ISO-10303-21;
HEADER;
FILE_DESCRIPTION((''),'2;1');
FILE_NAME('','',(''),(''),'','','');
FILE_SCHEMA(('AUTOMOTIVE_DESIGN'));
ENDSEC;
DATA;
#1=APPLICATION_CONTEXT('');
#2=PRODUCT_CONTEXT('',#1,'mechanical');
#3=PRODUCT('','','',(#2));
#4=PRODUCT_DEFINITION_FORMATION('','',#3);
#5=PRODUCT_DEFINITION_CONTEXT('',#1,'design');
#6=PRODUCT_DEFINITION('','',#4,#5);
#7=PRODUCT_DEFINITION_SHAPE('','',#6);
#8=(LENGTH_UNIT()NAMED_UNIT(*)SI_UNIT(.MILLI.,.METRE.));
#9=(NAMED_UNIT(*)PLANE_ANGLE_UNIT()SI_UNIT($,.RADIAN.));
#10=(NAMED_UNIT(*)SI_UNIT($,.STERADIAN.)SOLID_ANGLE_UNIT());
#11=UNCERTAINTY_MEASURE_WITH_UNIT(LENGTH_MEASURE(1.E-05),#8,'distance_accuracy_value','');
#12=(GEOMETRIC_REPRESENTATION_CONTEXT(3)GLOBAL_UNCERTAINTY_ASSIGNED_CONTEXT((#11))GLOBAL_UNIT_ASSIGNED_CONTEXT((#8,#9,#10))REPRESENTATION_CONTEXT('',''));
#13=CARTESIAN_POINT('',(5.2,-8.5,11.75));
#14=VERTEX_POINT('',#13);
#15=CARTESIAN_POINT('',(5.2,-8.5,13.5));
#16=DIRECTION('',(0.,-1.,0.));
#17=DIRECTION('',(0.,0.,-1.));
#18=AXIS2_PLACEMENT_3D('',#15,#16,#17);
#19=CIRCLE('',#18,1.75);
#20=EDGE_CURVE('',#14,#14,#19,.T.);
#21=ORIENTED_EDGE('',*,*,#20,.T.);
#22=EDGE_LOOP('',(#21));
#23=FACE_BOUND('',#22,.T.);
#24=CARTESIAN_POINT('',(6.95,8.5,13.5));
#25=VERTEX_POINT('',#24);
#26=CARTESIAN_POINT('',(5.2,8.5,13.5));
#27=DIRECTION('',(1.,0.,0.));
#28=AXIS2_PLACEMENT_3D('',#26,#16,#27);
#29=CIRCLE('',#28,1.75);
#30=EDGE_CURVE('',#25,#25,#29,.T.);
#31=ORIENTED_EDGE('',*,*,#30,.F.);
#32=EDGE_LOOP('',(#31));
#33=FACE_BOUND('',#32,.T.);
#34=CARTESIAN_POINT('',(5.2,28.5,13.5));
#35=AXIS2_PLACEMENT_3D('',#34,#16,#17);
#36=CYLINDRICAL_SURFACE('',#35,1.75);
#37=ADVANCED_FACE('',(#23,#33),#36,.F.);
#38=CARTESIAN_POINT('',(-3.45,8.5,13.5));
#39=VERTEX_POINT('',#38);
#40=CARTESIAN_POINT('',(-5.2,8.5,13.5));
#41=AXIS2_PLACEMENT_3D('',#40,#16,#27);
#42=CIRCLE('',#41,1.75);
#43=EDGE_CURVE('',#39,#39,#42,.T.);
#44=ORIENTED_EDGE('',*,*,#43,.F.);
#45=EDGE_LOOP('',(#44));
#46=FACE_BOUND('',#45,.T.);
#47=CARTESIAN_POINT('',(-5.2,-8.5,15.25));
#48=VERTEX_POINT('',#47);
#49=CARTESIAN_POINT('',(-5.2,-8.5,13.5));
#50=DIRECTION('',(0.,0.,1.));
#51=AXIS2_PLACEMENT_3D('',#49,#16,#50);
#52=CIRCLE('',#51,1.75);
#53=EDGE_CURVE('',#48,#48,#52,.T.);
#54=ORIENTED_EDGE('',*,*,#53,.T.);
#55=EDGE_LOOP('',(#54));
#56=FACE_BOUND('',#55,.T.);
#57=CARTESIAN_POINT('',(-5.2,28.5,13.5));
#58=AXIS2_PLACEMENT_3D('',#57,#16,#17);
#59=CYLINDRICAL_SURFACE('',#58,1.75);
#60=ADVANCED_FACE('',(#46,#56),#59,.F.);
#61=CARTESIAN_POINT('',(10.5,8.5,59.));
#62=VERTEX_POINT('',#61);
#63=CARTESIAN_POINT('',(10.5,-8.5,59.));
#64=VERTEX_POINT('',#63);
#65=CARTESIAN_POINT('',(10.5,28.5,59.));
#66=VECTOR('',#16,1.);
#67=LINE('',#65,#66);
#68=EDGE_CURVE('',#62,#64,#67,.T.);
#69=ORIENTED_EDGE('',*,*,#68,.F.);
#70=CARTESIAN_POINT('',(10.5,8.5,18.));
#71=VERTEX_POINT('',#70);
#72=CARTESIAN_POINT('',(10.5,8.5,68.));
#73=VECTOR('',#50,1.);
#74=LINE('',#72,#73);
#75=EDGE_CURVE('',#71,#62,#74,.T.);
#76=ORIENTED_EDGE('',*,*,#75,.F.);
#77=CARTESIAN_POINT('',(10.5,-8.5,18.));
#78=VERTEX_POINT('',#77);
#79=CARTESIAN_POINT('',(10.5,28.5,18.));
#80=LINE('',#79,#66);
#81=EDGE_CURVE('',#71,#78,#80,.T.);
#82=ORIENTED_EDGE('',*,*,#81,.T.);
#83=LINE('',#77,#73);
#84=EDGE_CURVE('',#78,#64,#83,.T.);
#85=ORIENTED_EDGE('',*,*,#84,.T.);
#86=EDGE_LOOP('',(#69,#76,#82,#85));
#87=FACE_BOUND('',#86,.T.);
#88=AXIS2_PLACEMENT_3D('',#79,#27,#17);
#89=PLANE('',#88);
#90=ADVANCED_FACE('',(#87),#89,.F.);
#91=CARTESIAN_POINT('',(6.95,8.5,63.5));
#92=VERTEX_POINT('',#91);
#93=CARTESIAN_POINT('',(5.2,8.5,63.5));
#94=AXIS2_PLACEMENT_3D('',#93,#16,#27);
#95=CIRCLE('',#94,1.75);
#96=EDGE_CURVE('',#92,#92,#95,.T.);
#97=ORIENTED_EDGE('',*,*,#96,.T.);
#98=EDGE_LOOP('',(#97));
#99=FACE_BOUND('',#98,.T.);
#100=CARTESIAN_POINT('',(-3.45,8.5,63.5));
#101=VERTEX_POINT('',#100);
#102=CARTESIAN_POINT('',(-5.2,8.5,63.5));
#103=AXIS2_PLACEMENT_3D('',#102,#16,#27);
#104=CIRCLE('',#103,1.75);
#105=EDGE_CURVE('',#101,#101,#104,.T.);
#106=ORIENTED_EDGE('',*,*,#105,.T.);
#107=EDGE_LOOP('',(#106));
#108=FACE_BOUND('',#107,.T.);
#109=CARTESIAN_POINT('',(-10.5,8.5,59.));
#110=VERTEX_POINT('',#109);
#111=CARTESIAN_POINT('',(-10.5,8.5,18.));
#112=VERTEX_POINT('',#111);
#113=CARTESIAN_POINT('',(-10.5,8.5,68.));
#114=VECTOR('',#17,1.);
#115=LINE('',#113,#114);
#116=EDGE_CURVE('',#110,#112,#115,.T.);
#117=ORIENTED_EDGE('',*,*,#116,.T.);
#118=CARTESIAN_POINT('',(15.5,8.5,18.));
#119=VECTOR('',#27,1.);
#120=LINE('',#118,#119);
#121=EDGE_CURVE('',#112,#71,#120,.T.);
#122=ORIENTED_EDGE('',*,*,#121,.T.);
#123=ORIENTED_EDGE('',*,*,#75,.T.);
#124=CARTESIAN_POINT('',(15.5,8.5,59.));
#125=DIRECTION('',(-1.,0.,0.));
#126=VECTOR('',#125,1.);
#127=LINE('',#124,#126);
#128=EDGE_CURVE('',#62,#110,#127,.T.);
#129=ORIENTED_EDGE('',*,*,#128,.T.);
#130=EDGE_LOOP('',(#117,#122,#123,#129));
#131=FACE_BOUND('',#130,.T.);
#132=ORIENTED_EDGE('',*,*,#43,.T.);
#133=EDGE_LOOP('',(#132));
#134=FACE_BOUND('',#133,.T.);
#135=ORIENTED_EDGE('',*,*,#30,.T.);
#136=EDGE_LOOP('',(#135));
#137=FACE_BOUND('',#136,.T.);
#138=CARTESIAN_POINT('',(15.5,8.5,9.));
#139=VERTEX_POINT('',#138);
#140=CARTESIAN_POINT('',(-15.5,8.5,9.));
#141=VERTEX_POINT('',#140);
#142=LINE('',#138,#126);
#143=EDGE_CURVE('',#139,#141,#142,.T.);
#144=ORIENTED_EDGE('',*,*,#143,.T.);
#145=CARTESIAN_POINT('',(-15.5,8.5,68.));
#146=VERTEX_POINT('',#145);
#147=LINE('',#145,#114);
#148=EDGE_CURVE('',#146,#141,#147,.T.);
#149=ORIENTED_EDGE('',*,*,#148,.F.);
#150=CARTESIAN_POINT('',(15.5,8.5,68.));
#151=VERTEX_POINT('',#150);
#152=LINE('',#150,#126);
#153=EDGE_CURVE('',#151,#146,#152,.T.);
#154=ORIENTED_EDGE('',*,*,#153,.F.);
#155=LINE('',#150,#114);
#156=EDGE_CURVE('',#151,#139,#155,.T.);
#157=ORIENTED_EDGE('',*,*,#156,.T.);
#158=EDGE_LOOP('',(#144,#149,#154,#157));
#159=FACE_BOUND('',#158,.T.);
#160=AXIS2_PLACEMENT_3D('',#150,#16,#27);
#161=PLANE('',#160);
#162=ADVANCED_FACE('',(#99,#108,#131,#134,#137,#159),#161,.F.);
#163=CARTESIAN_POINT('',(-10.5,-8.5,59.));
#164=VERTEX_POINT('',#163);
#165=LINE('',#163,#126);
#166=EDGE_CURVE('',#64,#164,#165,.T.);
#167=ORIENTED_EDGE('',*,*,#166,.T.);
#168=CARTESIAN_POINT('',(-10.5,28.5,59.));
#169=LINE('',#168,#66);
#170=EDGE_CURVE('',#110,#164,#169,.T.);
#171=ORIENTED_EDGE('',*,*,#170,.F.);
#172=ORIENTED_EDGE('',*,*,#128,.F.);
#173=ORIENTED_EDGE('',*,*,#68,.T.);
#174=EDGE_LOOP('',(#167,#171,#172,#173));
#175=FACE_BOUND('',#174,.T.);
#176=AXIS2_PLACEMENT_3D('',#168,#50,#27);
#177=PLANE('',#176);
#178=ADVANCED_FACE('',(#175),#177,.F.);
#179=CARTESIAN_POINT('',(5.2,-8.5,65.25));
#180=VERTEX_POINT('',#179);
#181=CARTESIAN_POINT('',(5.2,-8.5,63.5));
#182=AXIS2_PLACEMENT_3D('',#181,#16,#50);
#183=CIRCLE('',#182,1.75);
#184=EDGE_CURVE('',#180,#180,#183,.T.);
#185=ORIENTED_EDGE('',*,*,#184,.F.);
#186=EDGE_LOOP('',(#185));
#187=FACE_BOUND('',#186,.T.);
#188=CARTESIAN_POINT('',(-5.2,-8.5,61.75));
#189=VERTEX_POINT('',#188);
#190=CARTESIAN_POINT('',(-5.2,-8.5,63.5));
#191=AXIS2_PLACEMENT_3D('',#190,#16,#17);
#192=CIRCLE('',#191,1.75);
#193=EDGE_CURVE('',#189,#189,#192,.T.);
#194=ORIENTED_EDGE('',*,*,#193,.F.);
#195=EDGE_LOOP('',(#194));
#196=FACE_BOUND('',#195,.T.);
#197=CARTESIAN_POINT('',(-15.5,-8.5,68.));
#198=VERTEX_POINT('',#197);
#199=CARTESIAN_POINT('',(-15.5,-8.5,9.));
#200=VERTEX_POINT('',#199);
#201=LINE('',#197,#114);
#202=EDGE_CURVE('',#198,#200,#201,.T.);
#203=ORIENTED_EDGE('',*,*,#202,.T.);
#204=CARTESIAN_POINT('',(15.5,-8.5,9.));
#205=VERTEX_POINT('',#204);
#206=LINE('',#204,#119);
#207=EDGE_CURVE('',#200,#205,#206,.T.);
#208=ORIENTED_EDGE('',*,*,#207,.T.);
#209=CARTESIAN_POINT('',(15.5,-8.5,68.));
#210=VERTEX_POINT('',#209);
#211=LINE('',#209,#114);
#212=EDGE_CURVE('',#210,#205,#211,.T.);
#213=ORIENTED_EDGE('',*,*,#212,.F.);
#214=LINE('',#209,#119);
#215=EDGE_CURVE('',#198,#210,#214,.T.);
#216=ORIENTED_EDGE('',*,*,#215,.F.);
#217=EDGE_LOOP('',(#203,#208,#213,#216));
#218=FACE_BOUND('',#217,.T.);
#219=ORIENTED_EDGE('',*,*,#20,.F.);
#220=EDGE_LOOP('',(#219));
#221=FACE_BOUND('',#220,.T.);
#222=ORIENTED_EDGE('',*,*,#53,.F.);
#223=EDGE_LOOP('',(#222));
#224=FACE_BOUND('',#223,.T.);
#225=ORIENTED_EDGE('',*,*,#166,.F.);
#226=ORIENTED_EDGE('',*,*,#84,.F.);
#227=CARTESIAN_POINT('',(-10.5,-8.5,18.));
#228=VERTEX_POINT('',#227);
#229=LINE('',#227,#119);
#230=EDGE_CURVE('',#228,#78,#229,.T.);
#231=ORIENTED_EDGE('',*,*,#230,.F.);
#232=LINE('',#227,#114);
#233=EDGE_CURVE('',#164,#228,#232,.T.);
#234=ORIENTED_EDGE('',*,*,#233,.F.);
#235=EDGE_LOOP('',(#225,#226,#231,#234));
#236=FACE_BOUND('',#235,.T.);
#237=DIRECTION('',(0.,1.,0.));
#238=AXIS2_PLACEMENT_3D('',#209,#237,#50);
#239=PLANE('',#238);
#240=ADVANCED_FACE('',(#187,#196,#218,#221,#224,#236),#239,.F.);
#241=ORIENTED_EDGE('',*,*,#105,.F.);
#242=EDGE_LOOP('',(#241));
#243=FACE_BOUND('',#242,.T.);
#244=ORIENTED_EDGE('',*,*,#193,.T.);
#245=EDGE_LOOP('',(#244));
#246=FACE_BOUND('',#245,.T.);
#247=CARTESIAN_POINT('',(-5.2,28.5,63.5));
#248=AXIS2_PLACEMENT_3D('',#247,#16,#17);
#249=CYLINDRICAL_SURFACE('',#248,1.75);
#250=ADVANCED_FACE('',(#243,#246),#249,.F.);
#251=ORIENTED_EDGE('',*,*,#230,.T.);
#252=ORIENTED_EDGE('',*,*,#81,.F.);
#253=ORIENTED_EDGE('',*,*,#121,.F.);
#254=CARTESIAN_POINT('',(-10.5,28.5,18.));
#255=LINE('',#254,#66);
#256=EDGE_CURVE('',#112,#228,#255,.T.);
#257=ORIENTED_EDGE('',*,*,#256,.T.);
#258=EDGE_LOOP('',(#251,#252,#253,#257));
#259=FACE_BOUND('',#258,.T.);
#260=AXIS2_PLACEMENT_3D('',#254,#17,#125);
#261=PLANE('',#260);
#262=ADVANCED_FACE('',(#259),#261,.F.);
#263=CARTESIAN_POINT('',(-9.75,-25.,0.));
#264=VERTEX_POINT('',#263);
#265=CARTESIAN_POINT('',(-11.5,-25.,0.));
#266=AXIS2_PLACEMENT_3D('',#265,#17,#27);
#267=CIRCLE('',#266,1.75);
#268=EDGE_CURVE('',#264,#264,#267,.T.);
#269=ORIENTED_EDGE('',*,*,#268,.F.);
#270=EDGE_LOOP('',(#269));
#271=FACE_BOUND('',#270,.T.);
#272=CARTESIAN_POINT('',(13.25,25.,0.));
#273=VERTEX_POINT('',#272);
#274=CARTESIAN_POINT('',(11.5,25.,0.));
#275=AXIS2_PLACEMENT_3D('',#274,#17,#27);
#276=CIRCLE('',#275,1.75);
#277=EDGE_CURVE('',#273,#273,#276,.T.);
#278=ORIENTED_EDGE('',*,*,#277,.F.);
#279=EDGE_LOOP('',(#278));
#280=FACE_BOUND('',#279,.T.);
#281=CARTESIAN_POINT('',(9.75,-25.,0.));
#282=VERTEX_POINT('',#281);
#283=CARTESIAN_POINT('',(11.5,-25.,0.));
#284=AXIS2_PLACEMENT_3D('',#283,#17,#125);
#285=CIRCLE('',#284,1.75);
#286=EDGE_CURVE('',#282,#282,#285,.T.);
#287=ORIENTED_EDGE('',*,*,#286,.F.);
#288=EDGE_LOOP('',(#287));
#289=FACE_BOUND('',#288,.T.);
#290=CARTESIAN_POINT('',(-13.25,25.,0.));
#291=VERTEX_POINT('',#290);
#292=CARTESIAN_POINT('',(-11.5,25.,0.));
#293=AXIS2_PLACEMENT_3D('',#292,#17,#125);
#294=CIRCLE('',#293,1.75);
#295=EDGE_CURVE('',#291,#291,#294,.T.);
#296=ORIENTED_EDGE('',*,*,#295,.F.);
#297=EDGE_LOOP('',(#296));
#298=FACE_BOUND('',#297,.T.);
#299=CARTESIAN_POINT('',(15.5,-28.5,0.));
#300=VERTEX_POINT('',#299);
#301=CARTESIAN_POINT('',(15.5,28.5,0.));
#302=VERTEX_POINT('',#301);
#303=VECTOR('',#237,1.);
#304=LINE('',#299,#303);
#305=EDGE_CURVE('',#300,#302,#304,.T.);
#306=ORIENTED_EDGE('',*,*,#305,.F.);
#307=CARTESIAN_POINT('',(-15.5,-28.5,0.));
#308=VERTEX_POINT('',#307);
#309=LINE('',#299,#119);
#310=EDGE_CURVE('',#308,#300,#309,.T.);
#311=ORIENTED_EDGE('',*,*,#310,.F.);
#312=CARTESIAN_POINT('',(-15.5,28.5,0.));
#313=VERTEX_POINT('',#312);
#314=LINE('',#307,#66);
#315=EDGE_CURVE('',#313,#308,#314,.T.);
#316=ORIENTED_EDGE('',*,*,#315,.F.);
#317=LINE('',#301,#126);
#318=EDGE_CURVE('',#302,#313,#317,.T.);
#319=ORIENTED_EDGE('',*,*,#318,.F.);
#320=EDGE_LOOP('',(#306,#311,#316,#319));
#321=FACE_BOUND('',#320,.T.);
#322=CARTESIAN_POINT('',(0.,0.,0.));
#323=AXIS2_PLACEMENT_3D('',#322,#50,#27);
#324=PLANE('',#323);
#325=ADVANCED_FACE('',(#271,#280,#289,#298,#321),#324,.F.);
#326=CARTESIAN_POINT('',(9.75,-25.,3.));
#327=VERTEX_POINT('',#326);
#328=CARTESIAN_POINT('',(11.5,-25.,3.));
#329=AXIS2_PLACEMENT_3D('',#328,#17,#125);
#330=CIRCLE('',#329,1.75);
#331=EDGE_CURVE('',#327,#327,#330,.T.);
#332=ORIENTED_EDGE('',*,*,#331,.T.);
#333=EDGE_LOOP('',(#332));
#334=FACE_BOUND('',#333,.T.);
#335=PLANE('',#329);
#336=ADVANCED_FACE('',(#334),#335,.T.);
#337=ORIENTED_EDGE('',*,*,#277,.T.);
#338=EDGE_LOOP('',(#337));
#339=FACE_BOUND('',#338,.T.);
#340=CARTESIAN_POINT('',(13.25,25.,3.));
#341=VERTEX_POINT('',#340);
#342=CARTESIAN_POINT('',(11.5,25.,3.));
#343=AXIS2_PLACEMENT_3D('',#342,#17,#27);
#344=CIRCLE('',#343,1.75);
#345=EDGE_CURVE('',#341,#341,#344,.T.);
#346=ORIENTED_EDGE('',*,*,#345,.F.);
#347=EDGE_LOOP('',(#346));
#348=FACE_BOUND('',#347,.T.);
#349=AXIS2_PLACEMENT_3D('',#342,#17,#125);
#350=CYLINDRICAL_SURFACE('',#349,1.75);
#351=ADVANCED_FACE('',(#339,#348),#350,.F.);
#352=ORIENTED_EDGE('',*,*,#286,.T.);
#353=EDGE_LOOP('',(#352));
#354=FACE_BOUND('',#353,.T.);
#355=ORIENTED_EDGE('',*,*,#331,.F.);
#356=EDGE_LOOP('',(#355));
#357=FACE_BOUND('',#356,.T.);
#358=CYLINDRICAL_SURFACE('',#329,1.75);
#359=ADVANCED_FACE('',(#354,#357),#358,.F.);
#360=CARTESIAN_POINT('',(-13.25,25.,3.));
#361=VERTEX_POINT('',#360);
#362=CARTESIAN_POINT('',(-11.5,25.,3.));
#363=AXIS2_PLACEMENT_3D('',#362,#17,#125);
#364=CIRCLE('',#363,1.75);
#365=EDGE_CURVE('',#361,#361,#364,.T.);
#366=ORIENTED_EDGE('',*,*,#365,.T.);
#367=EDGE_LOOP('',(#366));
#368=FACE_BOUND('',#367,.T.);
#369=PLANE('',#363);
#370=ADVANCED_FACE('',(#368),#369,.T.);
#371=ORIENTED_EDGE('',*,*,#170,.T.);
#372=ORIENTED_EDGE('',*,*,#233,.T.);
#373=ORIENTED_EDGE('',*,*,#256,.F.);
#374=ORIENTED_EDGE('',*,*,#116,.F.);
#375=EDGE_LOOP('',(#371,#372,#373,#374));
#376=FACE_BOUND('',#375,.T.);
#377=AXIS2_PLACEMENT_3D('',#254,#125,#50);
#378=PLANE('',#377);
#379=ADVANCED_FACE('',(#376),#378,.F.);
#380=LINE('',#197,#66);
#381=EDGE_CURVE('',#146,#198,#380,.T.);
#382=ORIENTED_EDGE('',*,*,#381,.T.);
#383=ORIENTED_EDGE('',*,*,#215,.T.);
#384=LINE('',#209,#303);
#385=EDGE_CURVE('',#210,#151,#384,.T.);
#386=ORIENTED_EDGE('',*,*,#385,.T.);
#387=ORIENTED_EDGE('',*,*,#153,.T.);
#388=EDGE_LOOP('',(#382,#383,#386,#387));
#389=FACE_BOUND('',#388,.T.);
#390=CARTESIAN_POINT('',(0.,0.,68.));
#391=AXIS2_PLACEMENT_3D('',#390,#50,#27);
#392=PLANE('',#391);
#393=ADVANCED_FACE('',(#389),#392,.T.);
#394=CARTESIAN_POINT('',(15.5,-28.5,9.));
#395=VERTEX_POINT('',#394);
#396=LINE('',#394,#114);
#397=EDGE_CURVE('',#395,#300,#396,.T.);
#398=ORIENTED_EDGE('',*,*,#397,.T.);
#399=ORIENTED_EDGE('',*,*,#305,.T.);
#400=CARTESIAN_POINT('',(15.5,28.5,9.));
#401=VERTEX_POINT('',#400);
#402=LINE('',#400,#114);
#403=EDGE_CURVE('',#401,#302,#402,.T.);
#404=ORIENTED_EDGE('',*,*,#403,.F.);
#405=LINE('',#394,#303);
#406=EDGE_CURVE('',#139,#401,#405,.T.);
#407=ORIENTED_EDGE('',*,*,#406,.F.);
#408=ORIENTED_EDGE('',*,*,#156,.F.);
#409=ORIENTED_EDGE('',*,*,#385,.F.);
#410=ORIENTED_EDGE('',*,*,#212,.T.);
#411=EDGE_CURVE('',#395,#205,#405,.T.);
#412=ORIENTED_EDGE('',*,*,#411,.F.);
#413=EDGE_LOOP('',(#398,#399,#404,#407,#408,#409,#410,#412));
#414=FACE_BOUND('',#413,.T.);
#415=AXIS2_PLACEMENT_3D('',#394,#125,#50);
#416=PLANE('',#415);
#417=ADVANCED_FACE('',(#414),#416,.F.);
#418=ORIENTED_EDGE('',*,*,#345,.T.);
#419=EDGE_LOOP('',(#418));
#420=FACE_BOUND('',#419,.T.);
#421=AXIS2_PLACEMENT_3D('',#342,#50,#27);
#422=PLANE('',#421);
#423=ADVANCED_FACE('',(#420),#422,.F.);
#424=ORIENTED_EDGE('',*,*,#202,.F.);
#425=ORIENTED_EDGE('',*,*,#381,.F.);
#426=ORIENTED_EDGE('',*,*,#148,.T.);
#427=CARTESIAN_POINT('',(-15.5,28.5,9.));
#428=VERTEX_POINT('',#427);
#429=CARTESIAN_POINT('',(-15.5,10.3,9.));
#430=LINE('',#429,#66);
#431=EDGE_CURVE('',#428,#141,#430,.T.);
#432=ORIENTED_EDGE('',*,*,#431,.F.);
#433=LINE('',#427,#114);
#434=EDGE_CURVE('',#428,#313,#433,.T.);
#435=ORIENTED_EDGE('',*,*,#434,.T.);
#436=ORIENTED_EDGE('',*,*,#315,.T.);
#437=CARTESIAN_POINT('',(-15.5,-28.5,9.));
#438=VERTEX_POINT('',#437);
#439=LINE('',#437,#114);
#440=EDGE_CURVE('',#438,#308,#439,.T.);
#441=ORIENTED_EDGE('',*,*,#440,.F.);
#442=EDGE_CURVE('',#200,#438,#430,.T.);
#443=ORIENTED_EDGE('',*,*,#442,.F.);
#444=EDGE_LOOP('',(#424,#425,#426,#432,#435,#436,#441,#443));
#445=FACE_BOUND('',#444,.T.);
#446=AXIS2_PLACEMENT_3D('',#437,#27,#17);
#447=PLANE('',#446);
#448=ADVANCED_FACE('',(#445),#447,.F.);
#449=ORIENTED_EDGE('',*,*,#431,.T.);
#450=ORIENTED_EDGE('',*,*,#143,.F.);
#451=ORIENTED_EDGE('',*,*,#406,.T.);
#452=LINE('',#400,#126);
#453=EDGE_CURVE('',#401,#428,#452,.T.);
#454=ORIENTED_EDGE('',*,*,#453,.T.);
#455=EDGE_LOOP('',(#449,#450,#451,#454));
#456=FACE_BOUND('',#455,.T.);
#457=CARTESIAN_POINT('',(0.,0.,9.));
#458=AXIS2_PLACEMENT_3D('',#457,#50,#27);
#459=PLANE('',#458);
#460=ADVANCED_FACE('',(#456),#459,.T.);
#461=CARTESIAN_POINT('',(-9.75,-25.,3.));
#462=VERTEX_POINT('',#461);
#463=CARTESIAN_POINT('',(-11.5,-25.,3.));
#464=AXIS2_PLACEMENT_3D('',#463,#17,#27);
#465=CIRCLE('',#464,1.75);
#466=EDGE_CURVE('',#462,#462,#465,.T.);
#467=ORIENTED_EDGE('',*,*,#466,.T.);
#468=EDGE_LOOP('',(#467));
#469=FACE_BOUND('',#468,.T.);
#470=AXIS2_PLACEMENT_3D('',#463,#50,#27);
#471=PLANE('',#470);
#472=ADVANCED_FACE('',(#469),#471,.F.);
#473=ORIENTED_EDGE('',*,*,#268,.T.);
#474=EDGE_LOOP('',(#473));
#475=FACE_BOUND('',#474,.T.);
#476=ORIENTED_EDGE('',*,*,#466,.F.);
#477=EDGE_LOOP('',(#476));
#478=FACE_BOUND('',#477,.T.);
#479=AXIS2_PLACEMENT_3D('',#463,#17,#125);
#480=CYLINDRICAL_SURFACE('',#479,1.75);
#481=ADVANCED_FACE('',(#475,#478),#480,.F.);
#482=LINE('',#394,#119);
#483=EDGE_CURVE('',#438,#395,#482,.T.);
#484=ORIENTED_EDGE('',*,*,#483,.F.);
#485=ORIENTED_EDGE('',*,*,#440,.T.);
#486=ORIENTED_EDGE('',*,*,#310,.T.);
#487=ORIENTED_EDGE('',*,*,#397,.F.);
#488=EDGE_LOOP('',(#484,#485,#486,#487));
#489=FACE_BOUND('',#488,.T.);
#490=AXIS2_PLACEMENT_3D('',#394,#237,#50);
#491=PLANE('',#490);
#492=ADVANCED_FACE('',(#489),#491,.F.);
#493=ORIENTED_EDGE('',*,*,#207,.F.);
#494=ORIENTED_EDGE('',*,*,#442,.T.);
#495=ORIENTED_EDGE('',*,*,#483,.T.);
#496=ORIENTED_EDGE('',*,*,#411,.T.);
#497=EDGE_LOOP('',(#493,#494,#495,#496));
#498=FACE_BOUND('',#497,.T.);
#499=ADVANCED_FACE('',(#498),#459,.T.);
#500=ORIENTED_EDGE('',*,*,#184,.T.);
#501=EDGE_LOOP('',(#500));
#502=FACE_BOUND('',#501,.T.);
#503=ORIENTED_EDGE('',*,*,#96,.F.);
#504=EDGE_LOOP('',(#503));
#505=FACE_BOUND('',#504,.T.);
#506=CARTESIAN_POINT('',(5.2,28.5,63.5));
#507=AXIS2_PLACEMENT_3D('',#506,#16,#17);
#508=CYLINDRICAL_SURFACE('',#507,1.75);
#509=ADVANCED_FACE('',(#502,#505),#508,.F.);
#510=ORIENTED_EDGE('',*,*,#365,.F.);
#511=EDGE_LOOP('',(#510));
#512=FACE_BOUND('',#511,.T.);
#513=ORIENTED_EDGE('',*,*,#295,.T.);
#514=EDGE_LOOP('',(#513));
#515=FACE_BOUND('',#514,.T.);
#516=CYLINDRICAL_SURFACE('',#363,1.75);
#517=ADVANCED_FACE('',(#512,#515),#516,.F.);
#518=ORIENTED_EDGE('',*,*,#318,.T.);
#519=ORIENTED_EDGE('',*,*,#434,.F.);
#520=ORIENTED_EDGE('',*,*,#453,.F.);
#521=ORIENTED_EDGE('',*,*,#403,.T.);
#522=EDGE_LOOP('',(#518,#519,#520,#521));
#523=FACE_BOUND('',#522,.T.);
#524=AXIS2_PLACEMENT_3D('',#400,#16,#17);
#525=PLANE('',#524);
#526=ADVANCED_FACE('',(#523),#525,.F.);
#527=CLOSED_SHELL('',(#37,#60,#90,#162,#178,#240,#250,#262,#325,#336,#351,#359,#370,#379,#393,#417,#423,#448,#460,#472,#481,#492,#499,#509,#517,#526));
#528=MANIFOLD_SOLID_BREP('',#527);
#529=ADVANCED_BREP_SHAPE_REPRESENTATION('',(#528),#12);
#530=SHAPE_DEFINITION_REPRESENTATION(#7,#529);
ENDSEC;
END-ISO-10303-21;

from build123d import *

# Parameters (mm, degrees)
BOSS_EXTRUDE1_DEPTH = 9
SKETCH10_W          = 31
SKETCH10_H          = 17
BOSS_EXTRUDE5_DEPTH = 59
SKETCH11_R          = 1.75
SKETCH11_W          = 21
SKETCH11_H          = 41
CUT_EXTRUDE6_DEPTH  = 38
SKETCH12_R          = 1.75
CUT_EXTRUDE7_DEPTH  = 3


with BuildPart() as part:
    # Sketch1 → Boss-Extrude1 (new body)
    with BuildSketch(Plane.XY):
        Polygon((15.5, -28.5), (-15.5, -28.5), (-15.5, -10.3), (-15.5, 10.3), (-15.5, 28.5), (15.5, 28.5), align=None)
    extrude(amount=BOSS_EXTRUDE1_DEPTH)

    # Sketch10 → Boss-Extrude5 (add)
    with BuildSketch(Plane.XY.offset(9)):
        Rectangle(SKETCH10_W, SKETCH10_H)
    extrude(amount=BOSS_EXTRUDE5_DEPTH)

    # Sketch11 → Cut-Extrude6 (cut, through all)
    with BuildSketch(Plane.XZ.offset(8.5)):
        with Locations((5.2, 13.5)):
            Circle(SKETCH11_R)
        with Locations((-5.2, 13.5)):
            Circle(SKETCH11_R)
        with Locations((5.2, 63.5)):
            Circle(SKETCH11_R)
        with Locations((-5.2, 63.5)):
            Circle(SKETCH11_R)
        with Locations((0, 38.5)):
            Rectangle(SKETCH11_W, SKETCH11_H)
    extrude(amount=-CUT_EXTRUDE6_DEPTH, mode=Mode.SUBTRACT)

    # Sketch12 → Cut-Extrude7 (cut)
    with BuildSketch(Plane(origin=(0, 0, 0), x_dir=(-1, 0, 0), z_dir=(0, 0, -1))):
        with Locations((11.5, 25)):
            Circle(SKETCH12_R)
        with Locations((-11.5, 25)):
            Circle(SKETCH12_R)
        with Locations((11.5, -25)):
            Circle(SKETCH12_R)
        with Locations((-11.5, -25)):
            Circle(SKETCH12_R)
    extrude(amount=-CUT_EXTRUDE7_DEPTH, mode=Mode.SUBTRACT)


solid = part.part
